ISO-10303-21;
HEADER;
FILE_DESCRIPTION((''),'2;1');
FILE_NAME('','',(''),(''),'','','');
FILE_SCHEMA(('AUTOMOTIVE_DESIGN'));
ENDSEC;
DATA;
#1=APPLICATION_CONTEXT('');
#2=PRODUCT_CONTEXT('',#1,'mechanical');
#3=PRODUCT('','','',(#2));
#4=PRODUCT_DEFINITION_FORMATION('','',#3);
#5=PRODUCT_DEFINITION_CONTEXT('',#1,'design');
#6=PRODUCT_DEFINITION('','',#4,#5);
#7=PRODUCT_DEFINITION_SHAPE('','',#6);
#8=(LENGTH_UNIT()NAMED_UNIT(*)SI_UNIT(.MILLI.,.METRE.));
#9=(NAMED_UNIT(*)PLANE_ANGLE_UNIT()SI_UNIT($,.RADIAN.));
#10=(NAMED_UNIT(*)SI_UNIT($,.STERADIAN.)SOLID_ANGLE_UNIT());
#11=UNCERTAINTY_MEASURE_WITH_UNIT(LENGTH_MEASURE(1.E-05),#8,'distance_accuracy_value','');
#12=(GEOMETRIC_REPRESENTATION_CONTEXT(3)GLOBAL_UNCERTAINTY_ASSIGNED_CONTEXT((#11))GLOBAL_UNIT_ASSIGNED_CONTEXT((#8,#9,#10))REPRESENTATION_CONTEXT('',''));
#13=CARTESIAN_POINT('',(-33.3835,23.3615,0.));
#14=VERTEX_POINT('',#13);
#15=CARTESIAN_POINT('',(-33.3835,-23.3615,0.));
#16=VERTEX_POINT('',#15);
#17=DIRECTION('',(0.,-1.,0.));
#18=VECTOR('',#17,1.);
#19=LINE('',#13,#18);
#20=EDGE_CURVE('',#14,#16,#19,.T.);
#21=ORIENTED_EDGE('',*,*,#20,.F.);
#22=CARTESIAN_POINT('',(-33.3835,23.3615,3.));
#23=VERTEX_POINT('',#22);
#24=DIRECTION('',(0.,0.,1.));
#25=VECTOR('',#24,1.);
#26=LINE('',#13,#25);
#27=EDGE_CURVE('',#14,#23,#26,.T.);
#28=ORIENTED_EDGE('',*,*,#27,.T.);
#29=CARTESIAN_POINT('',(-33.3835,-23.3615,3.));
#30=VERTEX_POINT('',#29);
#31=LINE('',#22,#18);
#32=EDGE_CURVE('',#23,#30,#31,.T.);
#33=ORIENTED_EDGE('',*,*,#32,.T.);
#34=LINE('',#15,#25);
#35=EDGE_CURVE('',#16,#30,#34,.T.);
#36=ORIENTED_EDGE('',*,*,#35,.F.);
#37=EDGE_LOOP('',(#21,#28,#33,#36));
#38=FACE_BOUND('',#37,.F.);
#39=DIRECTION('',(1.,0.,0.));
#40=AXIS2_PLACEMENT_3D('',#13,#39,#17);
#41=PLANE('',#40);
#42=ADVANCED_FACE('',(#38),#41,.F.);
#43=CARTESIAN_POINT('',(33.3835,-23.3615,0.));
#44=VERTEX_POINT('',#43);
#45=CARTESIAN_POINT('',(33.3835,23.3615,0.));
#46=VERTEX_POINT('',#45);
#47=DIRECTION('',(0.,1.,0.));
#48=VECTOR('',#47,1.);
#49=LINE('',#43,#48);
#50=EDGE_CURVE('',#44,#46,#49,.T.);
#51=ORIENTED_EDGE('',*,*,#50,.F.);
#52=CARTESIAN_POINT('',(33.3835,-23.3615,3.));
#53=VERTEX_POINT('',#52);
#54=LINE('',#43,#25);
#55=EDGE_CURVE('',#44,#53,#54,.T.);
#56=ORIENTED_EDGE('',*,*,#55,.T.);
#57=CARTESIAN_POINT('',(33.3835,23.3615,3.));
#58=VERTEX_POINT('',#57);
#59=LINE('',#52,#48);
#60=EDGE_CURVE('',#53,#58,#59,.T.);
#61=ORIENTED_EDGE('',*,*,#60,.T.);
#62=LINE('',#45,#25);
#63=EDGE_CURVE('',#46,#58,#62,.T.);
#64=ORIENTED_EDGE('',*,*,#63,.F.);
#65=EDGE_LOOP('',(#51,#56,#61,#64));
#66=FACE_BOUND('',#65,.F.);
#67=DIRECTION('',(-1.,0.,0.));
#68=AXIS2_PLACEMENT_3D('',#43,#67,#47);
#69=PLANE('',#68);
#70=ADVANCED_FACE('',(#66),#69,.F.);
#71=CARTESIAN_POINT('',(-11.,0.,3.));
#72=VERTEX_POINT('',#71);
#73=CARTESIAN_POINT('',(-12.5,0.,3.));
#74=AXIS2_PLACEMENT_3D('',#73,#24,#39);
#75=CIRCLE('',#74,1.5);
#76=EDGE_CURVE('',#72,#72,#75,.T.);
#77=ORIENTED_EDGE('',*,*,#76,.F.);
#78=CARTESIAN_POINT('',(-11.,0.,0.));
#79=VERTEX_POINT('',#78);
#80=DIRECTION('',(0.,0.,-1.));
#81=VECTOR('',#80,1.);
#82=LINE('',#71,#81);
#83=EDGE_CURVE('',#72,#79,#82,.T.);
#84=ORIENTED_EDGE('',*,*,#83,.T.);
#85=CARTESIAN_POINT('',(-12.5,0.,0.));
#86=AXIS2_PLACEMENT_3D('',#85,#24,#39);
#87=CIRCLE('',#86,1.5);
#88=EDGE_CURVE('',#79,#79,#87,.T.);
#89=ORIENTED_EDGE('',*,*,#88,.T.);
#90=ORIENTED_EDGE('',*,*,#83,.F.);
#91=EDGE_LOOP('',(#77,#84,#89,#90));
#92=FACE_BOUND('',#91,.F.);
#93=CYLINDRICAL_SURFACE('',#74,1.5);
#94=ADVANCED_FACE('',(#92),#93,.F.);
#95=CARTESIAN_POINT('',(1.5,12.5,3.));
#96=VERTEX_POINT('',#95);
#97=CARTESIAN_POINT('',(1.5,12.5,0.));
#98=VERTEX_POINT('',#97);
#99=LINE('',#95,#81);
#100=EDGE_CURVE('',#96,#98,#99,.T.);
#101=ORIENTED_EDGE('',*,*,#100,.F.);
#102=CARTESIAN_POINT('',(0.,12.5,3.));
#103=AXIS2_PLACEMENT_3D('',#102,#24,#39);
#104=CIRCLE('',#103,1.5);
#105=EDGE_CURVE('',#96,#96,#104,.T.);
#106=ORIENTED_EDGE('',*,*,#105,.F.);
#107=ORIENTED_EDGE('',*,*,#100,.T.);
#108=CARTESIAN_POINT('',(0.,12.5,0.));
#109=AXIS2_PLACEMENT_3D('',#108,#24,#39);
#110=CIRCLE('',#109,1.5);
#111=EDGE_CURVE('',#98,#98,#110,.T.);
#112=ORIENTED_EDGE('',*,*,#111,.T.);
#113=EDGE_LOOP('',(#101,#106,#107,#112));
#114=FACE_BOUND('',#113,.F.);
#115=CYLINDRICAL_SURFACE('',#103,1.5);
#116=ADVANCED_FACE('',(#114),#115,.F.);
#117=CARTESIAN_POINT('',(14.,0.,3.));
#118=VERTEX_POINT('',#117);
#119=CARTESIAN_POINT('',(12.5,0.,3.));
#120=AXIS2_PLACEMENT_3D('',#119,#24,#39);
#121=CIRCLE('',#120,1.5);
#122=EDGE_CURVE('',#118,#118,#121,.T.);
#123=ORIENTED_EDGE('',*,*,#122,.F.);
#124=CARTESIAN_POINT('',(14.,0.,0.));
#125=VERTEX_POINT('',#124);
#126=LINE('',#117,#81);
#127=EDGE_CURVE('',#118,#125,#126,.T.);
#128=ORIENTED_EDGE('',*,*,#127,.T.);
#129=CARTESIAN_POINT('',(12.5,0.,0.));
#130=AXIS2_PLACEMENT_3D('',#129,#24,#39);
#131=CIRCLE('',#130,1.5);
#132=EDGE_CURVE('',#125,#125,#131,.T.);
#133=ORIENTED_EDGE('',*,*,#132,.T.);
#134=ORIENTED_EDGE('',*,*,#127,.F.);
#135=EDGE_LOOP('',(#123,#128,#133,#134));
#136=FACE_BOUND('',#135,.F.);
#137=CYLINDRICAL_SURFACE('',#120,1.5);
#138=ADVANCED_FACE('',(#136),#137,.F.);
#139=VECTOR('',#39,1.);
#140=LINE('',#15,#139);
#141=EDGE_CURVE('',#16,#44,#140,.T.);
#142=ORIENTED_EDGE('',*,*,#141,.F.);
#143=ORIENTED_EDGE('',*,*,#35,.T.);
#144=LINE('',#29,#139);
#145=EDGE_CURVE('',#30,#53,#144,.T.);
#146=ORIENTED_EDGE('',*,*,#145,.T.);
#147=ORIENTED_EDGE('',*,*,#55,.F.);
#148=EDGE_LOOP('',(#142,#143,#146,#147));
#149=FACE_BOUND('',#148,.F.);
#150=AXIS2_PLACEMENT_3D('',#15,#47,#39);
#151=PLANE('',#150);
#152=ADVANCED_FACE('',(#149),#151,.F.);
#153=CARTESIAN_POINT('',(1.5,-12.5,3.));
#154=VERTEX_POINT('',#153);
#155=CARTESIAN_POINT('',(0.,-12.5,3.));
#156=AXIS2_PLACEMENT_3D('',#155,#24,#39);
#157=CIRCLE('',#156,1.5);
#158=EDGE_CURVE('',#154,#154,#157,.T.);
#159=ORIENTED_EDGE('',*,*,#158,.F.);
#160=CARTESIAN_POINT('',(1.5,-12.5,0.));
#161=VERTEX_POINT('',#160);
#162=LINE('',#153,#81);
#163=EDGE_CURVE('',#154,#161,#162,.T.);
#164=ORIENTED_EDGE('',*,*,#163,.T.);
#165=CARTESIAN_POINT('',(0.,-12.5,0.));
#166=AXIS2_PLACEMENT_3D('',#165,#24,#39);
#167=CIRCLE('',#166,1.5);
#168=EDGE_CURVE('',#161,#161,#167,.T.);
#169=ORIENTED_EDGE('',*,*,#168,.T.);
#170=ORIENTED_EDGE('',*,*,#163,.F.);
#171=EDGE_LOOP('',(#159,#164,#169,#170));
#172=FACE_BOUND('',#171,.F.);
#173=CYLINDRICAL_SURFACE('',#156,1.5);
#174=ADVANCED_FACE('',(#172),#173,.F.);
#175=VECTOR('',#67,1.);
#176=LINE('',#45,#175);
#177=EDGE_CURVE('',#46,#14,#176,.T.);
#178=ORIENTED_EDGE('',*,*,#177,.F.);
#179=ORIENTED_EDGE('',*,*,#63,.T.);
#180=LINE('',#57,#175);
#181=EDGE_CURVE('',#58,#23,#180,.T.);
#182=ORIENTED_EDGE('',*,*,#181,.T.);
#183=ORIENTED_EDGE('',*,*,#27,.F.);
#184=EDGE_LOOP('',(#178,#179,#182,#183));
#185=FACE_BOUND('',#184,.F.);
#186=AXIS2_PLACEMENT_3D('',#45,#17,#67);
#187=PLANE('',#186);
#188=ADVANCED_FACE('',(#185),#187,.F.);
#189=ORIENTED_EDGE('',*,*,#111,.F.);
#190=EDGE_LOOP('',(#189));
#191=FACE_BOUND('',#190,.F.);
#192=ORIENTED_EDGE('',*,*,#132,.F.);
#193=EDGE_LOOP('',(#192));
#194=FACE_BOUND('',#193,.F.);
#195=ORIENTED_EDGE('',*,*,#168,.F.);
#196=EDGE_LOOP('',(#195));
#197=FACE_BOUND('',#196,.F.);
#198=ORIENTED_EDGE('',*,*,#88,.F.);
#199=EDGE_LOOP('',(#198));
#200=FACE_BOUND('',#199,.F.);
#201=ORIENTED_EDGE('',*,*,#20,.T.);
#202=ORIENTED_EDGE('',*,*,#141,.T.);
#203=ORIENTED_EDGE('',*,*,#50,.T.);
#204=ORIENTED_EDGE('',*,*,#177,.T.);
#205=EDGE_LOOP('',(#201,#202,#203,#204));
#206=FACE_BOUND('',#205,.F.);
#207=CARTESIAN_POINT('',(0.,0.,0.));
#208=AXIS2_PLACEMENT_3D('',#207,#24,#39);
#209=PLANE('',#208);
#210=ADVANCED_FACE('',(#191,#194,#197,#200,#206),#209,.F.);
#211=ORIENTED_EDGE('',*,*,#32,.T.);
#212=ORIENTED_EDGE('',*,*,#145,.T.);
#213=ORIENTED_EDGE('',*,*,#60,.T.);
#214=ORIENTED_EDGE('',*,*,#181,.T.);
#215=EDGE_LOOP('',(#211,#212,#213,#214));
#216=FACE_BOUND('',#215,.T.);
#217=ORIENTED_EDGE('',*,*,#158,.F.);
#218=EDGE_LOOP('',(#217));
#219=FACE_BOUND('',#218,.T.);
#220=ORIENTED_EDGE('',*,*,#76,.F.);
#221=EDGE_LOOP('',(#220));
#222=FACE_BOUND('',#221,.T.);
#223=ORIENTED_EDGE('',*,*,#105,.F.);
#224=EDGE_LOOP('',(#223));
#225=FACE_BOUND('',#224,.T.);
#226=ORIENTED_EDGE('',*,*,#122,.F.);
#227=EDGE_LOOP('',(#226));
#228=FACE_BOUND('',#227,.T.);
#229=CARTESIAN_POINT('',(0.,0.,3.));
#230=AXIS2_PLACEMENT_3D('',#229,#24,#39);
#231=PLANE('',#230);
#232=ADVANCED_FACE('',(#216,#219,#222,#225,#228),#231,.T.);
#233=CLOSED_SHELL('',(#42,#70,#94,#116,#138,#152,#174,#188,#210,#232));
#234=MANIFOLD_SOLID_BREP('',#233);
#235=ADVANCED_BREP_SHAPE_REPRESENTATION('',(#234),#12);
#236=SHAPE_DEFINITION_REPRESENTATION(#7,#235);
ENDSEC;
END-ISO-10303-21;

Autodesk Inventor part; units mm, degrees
ref_plane "YZ Plane" through (0, 0, 0) normal (1, 0, 0) x (0, 1, 0)
ref_plane "XZ Plane" through (0, 0, 0) normal (0, 1, 0) x (-1, 0, 0)
ref_plane "XY Plane" through (0, 0, 0) normal (0, 0, 1) x (1, 0, 0)
sketch "Sketch1" plane through (0, 0, 0) normal (0, 0, 1) x (1, 0, 0)
  line L0 (33.3835, 23.3615) -> (-33.3835, 23.3615)
  line L1 (-33.3835, 23.3615) -> (-33.3835, -23.3615)
  line L2 (-33.3835, -23.3615) -> (33.3835, -23.3615)
  line L3 (33.3835, -23.3615) -> (33.3835, 23.3615)
  point P0 (0, 0)
extrude "Extrusion1" add sketch "Sketch1" along normal blind 3
sketch "Sketch2" plane through (0, 0, 3) normal (0, 0, 1) x (1, 0, 0)
  circle A0 centre (-12.5, 0) radius 1.5
  circle A1 centre (0, -12.5) radius 1.5
  circle A2 centre (12.5, 0) radius 1.5
  circle A3 centre (0, 12.5) radius 1.5
  point P0 (0, 0)
extrude "Extrusion2" cut sketch "Sketch2" against normal blind 3
properties part number "motor mount"
